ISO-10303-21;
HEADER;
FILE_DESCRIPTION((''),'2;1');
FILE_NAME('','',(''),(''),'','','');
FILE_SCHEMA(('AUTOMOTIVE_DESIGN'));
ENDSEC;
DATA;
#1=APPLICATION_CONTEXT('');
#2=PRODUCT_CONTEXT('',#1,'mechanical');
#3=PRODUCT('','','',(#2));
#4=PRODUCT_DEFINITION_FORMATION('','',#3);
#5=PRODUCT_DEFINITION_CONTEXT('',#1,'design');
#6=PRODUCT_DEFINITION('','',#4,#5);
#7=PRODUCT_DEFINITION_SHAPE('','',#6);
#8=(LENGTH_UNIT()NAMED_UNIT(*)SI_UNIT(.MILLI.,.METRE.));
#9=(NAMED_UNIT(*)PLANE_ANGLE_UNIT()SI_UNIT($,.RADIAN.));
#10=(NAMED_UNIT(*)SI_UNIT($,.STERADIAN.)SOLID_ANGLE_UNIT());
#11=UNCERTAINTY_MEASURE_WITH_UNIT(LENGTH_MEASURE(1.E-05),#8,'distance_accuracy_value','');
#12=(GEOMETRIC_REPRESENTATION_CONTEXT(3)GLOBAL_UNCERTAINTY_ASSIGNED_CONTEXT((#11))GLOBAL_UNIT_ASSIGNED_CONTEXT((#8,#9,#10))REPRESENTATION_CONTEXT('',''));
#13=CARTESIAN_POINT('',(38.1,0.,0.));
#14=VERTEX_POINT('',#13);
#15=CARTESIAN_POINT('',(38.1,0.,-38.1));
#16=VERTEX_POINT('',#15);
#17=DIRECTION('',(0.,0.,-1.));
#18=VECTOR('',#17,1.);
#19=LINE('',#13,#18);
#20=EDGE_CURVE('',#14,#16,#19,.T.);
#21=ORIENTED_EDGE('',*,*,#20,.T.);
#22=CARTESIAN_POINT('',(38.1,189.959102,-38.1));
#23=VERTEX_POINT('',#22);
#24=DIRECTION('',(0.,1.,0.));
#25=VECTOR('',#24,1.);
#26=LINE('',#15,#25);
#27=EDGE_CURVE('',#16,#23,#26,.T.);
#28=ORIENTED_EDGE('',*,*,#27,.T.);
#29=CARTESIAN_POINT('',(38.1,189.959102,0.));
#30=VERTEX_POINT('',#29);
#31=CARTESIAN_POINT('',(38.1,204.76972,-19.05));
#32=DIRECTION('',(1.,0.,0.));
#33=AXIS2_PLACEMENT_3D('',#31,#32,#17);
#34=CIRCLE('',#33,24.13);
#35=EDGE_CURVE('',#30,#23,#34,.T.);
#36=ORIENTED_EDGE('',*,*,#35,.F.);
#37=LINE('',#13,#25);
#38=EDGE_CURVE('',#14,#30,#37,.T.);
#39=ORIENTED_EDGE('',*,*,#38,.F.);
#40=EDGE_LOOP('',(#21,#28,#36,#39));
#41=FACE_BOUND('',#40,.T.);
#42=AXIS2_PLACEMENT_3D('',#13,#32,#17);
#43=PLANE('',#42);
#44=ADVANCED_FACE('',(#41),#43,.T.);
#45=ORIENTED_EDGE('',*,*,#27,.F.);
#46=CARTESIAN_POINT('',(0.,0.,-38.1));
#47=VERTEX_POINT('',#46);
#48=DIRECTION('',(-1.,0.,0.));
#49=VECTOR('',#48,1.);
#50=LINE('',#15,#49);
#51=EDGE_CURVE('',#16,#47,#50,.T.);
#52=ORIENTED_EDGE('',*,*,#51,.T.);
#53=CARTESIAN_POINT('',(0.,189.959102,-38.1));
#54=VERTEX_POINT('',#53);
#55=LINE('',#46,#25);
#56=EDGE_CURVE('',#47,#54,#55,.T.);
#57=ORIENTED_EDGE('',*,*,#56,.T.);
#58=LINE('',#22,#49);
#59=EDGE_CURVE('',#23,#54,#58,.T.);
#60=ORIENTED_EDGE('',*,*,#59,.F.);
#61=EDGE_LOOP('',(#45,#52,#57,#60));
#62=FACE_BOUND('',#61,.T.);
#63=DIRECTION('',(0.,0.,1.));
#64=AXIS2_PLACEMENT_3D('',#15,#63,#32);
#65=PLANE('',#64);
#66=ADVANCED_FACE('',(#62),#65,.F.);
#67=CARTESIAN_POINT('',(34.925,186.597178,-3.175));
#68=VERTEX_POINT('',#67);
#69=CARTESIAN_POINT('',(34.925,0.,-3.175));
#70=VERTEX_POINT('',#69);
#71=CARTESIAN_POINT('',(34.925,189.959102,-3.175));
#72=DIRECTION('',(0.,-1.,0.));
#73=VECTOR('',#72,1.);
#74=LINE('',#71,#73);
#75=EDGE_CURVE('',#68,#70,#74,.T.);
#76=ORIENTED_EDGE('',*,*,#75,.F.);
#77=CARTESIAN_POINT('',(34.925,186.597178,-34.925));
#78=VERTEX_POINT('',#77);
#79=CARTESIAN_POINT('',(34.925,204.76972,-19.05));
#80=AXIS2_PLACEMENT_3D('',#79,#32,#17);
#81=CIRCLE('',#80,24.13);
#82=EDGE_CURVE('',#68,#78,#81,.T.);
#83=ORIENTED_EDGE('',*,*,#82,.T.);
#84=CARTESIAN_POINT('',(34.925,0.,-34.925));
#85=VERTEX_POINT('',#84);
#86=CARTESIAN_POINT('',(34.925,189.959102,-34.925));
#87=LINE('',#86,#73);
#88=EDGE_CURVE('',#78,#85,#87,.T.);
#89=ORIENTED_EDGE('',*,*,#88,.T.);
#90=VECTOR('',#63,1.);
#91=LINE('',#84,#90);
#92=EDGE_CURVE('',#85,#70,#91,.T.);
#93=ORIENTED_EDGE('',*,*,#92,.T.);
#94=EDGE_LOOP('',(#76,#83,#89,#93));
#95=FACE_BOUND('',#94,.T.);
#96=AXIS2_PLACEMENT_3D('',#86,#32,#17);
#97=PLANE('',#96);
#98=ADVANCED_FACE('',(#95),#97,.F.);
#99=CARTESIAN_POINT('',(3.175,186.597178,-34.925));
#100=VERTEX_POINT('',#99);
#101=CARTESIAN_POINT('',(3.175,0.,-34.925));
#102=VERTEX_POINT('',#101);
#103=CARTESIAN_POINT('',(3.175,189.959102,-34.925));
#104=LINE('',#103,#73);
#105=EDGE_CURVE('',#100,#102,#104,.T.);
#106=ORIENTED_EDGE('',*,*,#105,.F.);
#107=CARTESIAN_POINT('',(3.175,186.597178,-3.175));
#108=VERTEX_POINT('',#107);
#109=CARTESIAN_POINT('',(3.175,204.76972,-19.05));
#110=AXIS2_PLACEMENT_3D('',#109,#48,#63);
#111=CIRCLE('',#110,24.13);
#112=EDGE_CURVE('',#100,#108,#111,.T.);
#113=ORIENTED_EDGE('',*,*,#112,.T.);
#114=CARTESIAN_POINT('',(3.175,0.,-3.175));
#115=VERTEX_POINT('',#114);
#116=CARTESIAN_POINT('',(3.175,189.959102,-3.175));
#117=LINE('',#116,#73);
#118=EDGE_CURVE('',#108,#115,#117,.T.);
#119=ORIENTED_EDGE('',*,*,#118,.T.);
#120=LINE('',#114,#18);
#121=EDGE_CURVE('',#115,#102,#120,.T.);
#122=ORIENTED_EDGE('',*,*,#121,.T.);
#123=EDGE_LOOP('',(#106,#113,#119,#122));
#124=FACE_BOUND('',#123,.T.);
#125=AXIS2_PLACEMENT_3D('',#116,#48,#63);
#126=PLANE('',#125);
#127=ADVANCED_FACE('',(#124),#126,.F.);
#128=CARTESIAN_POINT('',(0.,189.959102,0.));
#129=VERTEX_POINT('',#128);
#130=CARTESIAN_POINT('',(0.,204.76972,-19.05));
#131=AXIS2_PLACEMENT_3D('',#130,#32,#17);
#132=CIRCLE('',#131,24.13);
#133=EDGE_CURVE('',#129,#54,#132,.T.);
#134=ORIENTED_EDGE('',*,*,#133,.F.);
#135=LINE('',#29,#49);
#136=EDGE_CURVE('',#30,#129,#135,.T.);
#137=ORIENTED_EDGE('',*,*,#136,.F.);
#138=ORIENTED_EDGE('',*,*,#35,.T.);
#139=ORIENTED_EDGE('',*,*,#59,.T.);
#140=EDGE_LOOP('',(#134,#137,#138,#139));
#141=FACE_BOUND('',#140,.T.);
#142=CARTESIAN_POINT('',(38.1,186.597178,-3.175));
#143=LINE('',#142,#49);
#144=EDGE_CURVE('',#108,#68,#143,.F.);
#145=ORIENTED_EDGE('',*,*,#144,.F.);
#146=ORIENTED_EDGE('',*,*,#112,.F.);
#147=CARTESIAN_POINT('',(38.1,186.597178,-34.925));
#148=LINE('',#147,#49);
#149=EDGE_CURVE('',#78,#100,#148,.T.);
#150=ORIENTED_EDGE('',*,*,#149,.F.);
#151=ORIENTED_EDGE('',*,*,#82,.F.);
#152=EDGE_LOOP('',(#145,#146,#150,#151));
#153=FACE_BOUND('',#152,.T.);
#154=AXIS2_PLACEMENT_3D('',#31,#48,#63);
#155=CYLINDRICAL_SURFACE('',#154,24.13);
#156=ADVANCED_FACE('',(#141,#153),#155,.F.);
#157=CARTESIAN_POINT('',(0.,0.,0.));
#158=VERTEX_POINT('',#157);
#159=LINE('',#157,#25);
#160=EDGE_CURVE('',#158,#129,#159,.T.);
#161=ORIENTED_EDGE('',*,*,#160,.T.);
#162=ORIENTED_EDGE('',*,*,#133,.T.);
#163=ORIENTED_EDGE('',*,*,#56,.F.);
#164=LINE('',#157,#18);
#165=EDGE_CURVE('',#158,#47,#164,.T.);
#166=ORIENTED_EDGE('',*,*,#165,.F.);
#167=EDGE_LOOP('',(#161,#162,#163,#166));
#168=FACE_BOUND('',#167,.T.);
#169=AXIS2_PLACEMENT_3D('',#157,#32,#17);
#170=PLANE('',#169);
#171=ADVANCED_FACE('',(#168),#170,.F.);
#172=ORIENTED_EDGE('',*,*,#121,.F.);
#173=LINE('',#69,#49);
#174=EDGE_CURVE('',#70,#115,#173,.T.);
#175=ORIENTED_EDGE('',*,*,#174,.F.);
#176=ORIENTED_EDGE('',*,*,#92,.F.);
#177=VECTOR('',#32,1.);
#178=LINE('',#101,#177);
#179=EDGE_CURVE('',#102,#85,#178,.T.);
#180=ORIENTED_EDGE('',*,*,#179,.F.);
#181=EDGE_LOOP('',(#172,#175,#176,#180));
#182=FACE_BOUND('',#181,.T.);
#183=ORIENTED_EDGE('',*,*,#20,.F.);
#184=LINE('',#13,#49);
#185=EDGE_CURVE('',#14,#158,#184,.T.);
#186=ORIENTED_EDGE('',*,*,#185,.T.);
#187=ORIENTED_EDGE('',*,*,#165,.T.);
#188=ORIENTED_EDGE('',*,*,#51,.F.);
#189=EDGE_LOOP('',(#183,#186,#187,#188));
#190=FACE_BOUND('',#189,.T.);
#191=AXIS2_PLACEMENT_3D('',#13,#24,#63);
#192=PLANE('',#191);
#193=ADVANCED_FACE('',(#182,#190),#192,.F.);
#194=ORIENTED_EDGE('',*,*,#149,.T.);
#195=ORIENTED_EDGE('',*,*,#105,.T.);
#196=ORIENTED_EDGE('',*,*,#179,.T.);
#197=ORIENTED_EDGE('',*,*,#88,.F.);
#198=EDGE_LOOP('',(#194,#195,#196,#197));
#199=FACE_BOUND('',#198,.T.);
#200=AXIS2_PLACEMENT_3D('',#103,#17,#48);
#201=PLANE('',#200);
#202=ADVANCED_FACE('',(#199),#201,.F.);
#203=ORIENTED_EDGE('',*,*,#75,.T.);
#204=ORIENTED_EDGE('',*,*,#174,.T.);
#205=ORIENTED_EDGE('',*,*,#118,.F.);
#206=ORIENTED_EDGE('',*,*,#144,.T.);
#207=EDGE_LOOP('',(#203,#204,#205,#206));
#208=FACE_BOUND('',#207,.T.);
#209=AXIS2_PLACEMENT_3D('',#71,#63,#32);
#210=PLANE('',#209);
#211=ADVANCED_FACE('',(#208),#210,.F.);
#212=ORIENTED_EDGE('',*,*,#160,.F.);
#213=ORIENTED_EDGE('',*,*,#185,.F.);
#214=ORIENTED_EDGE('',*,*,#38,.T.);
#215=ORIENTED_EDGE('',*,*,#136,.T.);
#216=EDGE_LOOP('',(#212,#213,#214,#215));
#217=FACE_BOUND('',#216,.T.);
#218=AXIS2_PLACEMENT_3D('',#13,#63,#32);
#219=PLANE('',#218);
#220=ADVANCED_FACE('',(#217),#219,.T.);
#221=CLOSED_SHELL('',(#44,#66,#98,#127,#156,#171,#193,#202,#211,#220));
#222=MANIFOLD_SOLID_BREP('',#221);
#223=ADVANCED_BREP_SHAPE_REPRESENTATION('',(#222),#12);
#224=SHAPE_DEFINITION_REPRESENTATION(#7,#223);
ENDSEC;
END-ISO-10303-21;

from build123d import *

# Parameters (mm, degrees)
BOSS_EXTRUDE1_DEPTH = 38.1
SKETCH2_W           = 31.75
SKETCH2_H           = 31.75
CUT_EXTRUDE1_DEPTH  = 198.452983021


with BuildPart() as part:
    # Sketch1 → Boss-Extrude1 (new body)
    with BuildSketch(Plane(origin=(0, 0, 0), x_dir=(0, 0, -1), z_dir=(1, 0, 0))):
        with BuildLine():
            Line((0, 189.959102187), (0, 0))
            Line((0, 0), (38.1, 0))
            Line((38.1, 0), (38.1, 189.959102187))
            ThreePointArc((38.1, 189.959102187), (19.05, 180.63972), (0, 189.959102187))
        make_face()
    extrude(amount=BOSS_EXTRUDE1_DEPTH)

    # Sketch2 → Cut-Extrude1 (cut, through all)
    with BuildSketch(Plane.XZ):
        with Locations((19.05, -19.05)):
            Rectangle(SKETCH2_W, SKETCH2_H)
    extrude(amount=-CUT_EXTRUDE1_DEPTH, mode=Mode.SUBTRACT)


solid = part.part
